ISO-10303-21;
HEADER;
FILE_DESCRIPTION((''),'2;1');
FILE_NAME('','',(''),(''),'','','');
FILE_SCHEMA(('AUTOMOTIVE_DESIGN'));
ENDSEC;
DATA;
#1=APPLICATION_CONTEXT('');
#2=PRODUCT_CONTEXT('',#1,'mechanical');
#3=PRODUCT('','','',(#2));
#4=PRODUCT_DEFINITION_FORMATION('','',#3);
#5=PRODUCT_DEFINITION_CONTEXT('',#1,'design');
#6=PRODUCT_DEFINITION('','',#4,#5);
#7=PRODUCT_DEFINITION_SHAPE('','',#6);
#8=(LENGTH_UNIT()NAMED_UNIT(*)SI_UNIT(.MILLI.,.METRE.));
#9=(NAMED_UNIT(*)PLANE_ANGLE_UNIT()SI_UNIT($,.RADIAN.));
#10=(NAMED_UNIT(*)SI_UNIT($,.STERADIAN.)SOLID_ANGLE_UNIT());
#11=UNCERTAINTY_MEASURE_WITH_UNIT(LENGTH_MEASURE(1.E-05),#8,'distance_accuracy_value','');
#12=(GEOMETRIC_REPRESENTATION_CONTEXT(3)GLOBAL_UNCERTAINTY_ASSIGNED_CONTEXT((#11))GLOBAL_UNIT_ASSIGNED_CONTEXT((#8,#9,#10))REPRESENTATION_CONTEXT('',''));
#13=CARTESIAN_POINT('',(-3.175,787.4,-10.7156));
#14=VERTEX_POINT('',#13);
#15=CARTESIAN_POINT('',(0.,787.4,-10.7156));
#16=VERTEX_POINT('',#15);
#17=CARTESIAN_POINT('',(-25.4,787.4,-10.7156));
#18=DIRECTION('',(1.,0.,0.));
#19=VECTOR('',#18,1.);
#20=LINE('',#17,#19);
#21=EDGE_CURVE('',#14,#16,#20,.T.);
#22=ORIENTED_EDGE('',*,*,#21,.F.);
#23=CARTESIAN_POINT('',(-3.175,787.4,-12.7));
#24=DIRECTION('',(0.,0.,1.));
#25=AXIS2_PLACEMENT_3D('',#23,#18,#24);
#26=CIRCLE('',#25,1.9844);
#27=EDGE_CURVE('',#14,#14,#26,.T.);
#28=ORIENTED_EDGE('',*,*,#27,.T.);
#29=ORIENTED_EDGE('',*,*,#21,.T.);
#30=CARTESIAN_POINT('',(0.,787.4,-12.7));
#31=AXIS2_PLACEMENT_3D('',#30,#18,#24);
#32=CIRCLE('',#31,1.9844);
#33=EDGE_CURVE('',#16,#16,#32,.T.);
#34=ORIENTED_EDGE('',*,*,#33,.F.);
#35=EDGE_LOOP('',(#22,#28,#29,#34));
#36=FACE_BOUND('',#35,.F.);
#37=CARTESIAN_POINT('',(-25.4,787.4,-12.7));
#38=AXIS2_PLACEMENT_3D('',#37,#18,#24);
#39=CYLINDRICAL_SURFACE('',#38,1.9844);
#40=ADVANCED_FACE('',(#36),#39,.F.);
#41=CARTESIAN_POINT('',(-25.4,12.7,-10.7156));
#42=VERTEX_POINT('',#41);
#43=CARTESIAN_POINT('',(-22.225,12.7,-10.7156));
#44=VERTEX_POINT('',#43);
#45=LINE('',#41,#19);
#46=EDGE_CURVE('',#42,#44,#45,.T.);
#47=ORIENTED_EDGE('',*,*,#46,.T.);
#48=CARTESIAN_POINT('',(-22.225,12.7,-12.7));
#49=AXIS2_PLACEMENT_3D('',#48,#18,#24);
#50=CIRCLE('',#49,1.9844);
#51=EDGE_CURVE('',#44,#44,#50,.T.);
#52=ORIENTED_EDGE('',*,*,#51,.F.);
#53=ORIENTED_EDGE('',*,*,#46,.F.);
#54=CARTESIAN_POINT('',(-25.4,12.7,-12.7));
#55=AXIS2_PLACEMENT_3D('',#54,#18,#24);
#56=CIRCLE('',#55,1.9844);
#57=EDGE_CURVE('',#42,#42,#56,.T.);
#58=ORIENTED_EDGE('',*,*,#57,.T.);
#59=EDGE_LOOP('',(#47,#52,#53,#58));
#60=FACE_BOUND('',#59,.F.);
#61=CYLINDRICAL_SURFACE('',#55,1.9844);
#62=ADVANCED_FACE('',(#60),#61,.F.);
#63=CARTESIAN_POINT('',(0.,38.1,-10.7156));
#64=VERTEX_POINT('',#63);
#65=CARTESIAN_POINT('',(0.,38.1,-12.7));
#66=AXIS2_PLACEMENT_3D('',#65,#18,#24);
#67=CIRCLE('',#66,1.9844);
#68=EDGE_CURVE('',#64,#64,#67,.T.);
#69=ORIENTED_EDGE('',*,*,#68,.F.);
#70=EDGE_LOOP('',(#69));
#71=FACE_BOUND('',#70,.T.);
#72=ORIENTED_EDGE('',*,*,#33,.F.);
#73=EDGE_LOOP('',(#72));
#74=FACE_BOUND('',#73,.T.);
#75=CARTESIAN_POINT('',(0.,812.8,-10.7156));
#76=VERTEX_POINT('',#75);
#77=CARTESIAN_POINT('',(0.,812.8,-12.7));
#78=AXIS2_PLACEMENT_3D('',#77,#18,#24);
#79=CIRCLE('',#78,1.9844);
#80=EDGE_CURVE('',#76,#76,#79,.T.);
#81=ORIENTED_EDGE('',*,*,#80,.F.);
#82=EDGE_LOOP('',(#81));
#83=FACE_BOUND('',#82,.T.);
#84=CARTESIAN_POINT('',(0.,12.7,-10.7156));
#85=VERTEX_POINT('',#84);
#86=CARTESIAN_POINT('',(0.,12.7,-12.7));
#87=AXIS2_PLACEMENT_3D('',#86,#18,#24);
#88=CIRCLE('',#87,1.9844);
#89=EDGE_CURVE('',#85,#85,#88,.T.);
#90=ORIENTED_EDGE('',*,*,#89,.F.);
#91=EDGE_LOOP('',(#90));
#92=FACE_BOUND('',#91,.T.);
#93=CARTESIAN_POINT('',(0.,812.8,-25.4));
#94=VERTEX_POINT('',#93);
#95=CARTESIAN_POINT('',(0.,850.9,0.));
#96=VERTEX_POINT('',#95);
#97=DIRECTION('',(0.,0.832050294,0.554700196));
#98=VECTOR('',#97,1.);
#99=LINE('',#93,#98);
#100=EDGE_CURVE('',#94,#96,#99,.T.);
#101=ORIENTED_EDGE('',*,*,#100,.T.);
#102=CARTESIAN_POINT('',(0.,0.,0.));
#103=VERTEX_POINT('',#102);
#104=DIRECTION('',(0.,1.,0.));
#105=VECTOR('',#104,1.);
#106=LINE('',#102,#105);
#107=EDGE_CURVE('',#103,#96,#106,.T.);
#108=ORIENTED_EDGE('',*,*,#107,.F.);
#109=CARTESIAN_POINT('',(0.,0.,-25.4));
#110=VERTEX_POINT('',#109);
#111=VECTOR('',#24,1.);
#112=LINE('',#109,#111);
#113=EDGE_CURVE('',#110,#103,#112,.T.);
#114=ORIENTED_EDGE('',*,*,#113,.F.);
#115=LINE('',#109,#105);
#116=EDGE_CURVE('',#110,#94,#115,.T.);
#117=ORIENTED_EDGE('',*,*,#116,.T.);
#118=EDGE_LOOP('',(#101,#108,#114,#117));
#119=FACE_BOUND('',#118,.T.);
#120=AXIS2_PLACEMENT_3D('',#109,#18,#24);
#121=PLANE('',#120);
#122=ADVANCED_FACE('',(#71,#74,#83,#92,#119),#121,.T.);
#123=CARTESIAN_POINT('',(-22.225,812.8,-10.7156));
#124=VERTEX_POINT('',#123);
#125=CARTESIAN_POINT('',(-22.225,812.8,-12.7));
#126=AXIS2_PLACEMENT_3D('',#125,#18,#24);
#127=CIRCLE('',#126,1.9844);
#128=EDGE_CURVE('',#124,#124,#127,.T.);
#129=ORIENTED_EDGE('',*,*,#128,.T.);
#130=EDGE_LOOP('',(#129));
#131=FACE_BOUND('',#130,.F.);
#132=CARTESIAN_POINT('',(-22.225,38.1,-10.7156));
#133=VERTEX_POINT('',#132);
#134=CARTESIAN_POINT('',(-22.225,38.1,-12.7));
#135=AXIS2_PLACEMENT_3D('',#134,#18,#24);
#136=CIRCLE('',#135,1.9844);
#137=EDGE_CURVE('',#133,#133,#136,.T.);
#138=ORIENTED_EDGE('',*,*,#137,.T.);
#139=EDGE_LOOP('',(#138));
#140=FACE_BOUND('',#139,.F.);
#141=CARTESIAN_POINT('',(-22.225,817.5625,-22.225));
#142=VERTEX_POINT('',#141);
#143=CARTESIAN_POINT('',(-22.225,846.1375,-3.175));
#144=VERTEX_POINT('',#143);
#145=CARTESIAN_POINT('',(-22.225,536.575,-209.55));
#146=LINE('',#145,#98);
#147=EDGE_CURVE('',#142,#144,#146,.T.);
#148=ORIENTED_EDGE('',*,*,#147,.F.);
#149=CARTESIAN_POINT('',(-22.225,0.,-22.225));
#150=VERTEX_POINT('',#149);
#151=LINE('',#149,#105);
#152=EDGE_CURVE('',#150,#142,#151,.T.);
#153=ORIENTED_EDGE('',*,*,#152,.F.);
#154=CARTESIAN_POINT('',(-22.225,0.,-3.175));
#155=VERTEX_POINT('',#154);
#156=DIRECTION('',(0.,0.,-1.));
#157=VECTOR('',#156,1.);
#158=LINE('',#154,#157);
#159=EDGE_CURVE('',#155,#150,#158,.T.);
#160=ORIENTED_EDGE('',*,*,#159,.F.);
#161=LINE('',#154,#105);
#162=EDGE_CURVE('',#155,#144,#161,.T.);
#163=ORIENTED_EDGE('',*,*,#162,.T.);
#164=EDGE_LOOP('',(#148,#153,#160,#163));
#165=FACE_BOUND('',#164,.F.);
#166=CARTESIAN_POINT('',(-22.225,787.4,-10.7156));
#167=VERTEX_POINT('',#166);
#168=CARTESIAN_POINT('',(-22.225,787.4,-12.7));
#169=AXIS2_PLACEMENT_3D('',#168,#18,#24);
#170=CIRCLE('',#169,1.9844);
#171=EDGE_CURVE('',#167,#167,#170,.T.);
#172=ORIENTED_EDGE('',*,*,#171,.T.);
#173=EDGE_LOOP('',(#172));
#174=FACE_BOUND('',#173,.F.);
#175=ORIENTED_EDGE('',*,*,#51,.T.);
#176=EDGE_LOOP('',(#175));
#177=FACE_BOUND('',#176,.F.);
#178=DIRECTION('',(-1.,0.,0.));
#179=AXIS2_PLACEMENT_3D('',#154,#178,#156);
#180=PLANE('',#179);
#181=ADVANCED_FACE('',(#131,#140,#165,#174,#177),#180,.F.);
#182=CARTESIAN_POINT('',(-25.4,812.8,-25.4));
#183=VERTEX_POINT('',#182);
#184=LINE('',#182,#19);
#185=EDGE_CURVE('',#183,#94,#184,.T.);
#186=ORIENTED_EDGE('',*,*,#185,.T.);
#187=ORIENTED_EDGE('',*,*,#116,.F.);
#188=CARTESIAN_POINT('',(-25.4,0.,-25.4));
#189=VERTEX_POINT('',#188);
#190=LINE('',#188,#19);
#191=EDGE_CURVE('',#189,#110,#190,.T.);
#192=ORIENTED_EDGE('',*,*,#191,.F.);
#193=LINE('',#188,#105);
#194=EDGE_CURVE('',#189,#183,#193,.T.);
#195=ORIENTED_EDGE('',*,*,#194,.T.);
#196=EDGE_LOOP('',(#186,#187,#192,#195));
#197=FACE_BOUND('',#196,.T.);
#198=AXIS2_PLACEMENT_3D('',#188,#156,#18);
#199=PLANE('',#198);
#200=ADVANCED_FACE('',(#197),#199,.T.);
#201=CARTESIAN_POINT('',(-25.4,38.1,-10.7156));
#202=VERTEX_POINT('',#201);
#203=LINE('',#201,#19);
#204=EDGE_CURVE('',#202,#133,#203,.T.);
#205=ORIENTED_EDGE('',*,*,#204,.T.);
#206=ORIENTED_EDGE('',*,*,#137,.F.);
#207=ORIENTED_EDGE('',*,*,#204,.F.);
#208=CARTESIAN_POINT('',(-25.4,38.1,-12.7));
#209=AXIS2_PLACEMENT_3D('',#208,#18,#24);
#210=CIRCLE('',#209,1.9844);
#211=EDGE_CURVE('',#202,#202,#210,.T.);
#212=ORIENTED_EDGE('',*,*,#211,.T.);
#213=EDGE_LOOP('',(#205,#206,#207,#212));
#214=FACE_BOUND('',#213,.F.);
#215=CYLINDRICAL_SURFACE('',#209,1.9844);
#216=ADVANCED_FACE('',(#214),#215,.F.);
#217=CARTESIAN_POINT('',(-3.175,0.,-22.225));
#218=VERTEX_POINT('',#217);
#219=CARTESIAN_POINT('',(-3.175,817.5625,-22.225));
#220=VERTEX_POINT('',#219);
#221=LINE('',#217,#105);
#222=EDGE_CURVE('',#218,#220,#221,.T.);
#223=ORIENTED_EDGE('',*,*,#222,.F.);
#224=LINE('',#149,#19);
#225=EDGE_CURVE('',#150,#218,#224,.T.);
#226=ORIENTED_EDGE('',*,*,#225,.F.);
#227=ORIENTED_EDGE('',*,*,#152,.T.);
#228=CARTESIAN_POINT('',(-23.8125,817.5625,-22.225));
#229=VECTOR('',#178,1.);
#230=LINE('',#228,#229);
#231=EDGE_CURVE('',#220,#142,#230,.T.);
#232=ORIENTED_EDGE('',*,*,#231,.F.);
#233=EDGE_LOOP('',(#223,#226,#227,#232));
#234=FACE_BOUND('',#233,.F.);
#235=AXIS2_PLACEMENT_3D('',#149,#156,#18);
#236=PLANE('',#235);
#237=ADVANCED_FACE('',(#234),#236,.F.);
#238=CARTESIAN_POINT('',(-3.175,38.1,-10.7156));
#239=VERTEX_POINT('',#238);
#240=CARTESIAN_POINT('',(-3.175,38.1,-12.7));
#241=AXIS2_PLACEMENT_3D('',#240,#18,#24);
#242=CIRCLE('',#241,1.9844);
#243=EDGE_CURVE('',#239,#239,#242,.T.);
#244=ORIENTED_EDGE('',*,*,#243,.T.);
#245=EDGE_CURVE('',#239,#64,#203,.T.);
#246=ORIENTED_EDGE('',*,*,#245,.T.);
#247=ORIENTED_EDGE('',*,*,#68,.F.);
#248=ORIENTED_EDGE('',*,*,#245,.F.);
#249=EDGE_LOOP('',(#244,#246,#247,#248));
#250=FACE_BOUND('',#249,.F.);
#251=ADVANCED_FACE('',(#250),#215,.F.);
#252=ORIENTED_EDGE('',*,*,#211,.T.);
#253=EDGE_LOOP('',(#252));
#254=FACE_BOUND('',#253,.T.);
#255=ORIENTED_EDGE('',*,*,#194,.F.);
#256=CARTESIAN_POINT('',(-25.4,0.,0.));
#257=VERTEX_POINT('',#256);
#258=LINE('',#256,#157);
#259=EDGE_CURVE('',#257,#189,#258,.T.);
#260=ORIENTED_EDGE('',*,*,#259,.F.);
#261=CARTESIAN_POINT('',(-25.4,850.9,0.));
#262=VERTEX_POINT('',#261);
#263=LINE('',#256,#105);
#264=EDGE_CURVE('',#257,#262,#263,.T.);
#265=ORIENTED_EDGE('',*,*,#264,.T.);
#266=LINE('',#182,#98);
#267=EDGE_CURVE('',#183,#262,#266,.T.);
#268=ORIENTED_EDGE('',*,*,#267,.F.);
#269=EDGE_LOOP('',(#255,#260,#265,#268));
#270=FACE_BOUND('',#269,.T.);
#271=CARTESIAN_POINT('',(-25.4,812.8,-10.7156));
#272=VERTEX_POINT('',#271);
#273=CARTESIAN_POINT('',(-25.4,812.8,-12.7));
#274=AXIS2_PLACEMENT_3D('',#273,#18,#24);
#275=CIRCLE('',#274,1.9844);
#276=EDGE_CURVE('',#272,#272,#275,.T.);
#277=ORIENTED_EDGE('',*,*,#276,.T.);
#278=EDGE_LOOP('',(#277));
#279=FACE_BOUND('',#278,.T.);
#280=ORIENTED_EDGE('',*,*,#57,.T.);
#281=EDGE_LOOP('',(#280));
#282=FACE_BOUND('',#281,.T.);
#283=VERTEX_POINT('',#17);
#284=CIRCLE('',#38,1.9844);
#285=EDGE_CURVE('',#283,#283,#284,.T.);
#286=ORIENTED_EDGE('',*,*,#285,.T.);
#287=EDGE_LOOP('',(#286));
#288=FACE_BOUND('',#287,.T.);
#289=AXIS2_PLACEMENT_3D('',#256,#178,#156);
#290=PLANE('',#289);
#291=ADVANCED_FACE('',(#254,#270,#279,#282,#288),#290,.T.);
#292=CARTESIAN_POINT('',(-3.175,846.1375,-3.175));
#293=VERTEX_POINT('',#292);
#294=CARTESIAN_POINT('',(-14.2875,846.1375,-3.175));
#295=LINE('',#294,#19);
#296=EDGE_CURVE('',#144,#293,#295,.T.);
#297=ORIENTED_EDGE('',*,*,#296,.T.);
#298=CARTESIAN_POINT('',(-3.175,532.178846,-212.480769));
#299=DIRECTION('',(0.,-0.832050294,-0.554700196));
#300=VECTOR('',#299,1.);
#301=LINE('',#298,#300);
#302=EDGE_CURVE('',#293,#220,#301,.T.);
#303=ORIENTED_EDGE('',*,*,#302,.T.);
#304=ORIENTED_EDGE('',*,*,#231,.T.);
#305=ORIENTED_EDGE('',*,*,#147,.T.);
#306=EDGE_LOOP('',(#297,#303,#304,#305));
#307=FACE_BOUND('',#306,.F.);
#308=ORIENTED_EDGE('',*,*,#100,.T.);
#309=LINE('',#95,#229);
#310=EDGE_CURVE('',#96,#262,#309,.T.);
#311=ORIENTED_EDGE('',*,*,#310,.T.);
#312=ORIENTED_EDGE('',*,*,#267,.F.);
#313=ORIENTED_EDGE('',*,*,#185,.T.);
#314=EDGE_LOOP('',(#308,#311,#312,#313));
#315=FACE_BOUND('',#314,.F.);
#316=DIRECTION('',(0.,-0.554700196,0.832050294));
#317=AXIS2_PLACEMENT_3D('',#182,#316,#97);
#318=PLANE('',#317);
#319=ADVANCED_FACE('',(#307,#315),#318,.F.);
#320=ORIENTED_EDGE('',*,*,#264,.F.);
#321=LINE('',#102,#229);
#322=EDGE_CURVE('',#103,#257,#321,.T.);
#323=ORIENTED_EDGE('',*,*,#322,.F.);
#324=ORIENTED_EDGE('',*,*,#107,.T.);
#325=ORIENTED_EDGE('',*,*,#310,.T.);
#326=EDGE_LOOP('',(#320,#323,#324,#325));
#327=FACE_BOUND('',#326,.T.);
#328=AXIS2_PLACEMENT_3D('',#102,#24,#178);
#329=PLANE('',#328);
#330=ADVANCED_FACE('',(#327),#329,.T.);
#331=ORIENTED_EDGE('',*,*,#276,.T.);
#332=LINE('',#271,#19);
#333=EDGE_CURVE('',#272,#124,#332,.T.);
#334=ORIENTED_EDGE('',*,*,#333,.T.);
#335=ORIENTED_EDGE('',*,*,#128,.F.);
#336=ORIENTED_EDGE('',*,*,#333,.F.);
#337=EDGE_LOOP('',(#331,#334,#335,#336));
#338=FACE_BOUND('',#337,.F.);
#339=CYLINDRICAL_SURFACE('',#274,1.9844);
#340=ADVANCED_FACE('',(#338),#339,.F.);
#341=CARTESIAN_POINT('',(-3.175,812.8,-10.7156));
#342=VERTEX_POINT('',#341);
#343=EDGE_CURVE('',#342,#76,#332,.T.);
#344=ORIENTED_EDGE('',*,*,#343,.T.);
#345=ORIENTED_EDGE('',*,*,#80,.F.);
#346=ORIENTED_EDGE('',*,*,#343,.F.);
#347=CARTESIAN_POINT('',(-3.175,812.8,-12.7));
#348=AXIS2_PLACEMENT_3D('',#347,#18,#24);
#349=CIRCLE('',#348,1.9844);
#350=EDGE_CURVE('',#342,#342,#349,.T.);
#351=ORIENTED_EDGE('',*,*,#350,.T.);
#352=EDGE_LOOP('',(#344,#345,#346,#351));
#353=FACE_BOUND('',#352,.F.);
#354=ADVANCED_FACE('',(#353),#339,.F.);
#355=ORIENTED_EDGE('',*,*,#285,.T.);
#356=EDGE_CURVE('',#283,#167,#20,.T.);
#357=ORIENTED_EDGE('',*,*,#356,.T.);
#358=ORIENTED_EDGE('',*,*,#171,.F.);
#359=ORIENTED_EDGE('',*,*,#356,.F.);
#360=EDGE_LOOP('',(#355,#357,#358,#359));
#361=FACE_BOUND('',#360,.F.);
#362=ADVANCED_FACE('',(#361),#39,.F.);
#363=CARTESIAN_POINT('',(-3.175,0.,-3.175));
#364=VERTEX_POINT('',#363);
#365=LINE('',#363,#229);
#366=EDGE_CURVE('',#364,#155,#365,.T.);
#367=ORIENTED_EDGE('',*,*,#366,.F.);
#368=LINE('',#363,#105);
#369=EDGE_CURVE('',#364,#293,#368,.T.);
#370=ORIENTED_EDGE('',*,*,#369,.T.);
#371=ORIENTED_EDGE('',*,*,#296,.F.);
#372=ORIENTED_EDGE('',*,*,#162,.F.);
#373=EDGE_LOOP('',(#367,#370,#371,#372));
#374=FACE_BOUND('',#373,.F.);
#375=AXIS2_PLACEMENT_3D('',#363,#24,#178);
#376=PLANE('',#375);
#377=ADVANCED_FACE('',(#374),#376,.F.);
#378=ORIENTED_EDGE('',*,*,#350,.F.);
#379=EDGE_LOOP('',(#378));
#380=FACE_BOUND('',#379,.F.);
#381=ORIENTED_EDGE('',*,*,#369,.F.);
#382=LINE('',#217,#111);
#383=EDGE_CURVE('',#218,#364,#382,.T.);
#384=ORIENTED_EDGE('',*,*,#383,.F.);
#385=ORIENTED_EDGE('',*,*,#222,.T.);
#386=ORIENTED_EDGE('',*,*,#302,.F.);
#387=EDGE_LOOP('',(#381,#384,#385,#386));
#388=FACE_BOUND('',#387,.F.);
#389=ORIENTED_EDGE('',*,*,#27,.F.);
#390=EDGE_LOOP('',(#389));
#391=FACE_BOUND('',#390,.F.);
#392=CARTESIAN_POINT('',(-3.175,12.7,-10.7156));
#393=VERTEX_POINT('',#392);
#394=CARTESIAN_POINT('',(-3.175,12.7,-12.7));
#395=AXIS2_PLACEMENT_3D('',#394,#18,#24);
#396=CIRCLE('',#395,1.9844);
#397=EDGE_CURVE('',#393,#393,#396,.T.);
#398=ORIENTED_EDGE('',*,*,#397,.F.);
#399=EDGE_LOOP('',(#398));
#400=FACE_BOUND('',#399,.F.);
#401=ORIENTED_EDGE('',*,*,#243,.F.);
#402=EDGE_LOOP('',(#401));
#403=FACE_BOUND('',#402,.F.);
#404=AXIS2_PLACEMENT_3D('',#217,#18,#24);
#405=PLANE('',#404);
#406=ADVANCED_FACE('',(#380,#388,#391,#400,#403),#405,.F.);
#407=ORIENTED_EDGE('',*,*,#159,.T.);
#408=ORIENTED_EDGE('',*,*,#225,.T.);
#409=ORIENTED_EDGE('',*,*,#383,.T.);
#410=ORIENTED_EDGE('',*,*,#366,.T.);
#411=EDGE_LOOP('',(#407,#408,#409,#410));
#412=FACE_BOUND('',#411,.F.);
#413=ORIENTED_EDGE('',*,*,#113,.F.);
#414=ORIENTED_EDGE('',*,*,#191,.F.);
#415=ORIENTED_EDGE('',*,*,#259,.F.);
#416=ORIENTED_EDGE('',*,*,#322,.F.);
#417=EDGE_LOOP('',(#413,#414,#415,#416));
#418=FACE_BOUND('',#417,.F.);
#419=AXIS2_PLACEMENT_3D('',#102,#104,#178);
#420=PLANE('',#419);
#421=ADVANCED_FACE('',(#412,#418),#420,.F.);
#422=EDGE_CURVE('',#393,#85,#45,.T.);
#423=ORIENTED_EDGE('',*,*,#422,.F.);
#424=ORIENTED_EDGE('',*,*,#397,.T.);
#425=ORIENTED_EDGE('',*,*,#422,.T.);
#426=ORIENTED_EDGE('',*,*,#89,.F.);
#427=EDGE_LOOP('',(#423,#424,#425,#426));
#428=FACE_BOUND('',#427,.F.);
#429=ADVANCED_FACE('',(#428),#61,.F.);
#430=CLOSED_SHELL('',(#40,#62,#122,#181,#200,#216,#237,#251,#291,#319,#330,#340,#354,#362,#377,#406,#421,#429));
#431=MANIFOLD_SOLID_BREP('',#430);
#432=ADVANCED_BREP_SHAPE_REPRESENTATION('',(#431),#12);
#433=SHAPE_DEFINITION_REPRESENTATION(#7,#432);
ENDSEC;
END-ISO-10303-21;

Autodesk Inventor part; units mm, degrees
ref_plane "YZ Plane" through (0, 0, 0) normal (1, 0, 0) x (0, 1, 0)
ref_plane "XZ Plane" through (0, 0, 0) normal (0, 1, 0) x (-1, 0, 0)
ref_plane "XY Plane" through (0, 0, 0) normal (0, 0, 1) x (1, 0, 0)
sketch "Sketch1" plane through (0, 0, 0) normal (0, 1, 0) x (-1, 0, 0)
  line L0 (0, 0) -> (25.4, 0)
  line L1 (25.4, 0) -> (25.4, -25.4)
  line L2 (25.4, -25.4) -> (0, -25.4)
  line L3 (0, -25.4) -> (0, 0)
  line L4 (3.175, -3.175) -> (22.225, -3.175)
  line L5 (22.225, -3.175) -> (22.225, -22.225)
  line L6 (22.225, -22.225) -> (3.175, -22.225)
  line L7 (3.175, -22.225) -> (3.175, -3.175)
  dimension "d0" = 25.4
  dimension "d1" = 25.4
  dimension "d2" = 19.05
  dimension "d3" = 19.05
  dimension "d4" = 3.175
  dimension "d5" = 3.175
extrude "Extrusion1" add sketch "Sketch1" along normal blind 850.9
sketch "Sketch2" plane through (-25.4, 0, -25.4) normal (-1, 0, 0) x (0, 0, 1)
  line L0 (25.4, 0) -> (0, 0) projected
  line L1 (25.4, 0) -> (25.4, 850.9) projected
  line L2 (0, 850.9) -> (25.4, 850.9) projected
  line L3 (0, 0) -> (0, 850.9) projected
  point P0 (12.7, 812.8)
  point P1 (12.7, 787.4)
  point P2 (12.7, 12.7)
  point P3 (12.7, 38.1)
  dimension "d8" = 12.7
  dimension "d9" = 38.1
  dimension "d12" = 12.7
  dimension "d13" = 12.7
  dimension "d14" = 12.7
  dimension "d15" = 12.7
  dimension "d23" = 812.8
  dimension "d24" = 787.4
hole "Hole1" at (-25.4, 812.8, -12.7) at (-25.4, 787.4, -12.7) at (-25.4, 12.7, -12.7) at (-25.4, 38.1, -12.7) direction (1, 0, 0) diameter 3.9688 end through all
sketch "Sketch3" plane through (-25.4, 0, -25.4) normal (-1, 0, 0) x (0, 0, 1)
  circle A0 centre (12.7, 12.7) radius 1.9844 projected
  circle A1 centre (12.7, 812.8) radius 1.9844 projected
  circle A2 centre (12.7, 787.4) radius 1.9844 projected
  circle A3 centre (12.7, 38.1) radius 1.9844 projected
  line L0 (25.4, 0) -> (0, 0) projected
  line L1 (25.4, 0) -> (25.4, 850.9) projected
  line L2 (0, 850.9) -> (25.4, 850.9) projected
  line L3 (0, 0) -> (0, 850.9) projected
  line L4 (25.4, 850.9) -> (0, 850.9)
  line L5 (0, 850.9) -> (0, 812.8)
  line L6 (0, 0) -> (0, 850.9) projected
  line L7 (0, 812.8) -> (25.4, 850.9)
  dimension "d25" = 38.1
extrude "Extrusion2" cut sketch "Sketch3" against normal blind 25.4 contours L7 L3 L2
properties part number "1x1 support"
